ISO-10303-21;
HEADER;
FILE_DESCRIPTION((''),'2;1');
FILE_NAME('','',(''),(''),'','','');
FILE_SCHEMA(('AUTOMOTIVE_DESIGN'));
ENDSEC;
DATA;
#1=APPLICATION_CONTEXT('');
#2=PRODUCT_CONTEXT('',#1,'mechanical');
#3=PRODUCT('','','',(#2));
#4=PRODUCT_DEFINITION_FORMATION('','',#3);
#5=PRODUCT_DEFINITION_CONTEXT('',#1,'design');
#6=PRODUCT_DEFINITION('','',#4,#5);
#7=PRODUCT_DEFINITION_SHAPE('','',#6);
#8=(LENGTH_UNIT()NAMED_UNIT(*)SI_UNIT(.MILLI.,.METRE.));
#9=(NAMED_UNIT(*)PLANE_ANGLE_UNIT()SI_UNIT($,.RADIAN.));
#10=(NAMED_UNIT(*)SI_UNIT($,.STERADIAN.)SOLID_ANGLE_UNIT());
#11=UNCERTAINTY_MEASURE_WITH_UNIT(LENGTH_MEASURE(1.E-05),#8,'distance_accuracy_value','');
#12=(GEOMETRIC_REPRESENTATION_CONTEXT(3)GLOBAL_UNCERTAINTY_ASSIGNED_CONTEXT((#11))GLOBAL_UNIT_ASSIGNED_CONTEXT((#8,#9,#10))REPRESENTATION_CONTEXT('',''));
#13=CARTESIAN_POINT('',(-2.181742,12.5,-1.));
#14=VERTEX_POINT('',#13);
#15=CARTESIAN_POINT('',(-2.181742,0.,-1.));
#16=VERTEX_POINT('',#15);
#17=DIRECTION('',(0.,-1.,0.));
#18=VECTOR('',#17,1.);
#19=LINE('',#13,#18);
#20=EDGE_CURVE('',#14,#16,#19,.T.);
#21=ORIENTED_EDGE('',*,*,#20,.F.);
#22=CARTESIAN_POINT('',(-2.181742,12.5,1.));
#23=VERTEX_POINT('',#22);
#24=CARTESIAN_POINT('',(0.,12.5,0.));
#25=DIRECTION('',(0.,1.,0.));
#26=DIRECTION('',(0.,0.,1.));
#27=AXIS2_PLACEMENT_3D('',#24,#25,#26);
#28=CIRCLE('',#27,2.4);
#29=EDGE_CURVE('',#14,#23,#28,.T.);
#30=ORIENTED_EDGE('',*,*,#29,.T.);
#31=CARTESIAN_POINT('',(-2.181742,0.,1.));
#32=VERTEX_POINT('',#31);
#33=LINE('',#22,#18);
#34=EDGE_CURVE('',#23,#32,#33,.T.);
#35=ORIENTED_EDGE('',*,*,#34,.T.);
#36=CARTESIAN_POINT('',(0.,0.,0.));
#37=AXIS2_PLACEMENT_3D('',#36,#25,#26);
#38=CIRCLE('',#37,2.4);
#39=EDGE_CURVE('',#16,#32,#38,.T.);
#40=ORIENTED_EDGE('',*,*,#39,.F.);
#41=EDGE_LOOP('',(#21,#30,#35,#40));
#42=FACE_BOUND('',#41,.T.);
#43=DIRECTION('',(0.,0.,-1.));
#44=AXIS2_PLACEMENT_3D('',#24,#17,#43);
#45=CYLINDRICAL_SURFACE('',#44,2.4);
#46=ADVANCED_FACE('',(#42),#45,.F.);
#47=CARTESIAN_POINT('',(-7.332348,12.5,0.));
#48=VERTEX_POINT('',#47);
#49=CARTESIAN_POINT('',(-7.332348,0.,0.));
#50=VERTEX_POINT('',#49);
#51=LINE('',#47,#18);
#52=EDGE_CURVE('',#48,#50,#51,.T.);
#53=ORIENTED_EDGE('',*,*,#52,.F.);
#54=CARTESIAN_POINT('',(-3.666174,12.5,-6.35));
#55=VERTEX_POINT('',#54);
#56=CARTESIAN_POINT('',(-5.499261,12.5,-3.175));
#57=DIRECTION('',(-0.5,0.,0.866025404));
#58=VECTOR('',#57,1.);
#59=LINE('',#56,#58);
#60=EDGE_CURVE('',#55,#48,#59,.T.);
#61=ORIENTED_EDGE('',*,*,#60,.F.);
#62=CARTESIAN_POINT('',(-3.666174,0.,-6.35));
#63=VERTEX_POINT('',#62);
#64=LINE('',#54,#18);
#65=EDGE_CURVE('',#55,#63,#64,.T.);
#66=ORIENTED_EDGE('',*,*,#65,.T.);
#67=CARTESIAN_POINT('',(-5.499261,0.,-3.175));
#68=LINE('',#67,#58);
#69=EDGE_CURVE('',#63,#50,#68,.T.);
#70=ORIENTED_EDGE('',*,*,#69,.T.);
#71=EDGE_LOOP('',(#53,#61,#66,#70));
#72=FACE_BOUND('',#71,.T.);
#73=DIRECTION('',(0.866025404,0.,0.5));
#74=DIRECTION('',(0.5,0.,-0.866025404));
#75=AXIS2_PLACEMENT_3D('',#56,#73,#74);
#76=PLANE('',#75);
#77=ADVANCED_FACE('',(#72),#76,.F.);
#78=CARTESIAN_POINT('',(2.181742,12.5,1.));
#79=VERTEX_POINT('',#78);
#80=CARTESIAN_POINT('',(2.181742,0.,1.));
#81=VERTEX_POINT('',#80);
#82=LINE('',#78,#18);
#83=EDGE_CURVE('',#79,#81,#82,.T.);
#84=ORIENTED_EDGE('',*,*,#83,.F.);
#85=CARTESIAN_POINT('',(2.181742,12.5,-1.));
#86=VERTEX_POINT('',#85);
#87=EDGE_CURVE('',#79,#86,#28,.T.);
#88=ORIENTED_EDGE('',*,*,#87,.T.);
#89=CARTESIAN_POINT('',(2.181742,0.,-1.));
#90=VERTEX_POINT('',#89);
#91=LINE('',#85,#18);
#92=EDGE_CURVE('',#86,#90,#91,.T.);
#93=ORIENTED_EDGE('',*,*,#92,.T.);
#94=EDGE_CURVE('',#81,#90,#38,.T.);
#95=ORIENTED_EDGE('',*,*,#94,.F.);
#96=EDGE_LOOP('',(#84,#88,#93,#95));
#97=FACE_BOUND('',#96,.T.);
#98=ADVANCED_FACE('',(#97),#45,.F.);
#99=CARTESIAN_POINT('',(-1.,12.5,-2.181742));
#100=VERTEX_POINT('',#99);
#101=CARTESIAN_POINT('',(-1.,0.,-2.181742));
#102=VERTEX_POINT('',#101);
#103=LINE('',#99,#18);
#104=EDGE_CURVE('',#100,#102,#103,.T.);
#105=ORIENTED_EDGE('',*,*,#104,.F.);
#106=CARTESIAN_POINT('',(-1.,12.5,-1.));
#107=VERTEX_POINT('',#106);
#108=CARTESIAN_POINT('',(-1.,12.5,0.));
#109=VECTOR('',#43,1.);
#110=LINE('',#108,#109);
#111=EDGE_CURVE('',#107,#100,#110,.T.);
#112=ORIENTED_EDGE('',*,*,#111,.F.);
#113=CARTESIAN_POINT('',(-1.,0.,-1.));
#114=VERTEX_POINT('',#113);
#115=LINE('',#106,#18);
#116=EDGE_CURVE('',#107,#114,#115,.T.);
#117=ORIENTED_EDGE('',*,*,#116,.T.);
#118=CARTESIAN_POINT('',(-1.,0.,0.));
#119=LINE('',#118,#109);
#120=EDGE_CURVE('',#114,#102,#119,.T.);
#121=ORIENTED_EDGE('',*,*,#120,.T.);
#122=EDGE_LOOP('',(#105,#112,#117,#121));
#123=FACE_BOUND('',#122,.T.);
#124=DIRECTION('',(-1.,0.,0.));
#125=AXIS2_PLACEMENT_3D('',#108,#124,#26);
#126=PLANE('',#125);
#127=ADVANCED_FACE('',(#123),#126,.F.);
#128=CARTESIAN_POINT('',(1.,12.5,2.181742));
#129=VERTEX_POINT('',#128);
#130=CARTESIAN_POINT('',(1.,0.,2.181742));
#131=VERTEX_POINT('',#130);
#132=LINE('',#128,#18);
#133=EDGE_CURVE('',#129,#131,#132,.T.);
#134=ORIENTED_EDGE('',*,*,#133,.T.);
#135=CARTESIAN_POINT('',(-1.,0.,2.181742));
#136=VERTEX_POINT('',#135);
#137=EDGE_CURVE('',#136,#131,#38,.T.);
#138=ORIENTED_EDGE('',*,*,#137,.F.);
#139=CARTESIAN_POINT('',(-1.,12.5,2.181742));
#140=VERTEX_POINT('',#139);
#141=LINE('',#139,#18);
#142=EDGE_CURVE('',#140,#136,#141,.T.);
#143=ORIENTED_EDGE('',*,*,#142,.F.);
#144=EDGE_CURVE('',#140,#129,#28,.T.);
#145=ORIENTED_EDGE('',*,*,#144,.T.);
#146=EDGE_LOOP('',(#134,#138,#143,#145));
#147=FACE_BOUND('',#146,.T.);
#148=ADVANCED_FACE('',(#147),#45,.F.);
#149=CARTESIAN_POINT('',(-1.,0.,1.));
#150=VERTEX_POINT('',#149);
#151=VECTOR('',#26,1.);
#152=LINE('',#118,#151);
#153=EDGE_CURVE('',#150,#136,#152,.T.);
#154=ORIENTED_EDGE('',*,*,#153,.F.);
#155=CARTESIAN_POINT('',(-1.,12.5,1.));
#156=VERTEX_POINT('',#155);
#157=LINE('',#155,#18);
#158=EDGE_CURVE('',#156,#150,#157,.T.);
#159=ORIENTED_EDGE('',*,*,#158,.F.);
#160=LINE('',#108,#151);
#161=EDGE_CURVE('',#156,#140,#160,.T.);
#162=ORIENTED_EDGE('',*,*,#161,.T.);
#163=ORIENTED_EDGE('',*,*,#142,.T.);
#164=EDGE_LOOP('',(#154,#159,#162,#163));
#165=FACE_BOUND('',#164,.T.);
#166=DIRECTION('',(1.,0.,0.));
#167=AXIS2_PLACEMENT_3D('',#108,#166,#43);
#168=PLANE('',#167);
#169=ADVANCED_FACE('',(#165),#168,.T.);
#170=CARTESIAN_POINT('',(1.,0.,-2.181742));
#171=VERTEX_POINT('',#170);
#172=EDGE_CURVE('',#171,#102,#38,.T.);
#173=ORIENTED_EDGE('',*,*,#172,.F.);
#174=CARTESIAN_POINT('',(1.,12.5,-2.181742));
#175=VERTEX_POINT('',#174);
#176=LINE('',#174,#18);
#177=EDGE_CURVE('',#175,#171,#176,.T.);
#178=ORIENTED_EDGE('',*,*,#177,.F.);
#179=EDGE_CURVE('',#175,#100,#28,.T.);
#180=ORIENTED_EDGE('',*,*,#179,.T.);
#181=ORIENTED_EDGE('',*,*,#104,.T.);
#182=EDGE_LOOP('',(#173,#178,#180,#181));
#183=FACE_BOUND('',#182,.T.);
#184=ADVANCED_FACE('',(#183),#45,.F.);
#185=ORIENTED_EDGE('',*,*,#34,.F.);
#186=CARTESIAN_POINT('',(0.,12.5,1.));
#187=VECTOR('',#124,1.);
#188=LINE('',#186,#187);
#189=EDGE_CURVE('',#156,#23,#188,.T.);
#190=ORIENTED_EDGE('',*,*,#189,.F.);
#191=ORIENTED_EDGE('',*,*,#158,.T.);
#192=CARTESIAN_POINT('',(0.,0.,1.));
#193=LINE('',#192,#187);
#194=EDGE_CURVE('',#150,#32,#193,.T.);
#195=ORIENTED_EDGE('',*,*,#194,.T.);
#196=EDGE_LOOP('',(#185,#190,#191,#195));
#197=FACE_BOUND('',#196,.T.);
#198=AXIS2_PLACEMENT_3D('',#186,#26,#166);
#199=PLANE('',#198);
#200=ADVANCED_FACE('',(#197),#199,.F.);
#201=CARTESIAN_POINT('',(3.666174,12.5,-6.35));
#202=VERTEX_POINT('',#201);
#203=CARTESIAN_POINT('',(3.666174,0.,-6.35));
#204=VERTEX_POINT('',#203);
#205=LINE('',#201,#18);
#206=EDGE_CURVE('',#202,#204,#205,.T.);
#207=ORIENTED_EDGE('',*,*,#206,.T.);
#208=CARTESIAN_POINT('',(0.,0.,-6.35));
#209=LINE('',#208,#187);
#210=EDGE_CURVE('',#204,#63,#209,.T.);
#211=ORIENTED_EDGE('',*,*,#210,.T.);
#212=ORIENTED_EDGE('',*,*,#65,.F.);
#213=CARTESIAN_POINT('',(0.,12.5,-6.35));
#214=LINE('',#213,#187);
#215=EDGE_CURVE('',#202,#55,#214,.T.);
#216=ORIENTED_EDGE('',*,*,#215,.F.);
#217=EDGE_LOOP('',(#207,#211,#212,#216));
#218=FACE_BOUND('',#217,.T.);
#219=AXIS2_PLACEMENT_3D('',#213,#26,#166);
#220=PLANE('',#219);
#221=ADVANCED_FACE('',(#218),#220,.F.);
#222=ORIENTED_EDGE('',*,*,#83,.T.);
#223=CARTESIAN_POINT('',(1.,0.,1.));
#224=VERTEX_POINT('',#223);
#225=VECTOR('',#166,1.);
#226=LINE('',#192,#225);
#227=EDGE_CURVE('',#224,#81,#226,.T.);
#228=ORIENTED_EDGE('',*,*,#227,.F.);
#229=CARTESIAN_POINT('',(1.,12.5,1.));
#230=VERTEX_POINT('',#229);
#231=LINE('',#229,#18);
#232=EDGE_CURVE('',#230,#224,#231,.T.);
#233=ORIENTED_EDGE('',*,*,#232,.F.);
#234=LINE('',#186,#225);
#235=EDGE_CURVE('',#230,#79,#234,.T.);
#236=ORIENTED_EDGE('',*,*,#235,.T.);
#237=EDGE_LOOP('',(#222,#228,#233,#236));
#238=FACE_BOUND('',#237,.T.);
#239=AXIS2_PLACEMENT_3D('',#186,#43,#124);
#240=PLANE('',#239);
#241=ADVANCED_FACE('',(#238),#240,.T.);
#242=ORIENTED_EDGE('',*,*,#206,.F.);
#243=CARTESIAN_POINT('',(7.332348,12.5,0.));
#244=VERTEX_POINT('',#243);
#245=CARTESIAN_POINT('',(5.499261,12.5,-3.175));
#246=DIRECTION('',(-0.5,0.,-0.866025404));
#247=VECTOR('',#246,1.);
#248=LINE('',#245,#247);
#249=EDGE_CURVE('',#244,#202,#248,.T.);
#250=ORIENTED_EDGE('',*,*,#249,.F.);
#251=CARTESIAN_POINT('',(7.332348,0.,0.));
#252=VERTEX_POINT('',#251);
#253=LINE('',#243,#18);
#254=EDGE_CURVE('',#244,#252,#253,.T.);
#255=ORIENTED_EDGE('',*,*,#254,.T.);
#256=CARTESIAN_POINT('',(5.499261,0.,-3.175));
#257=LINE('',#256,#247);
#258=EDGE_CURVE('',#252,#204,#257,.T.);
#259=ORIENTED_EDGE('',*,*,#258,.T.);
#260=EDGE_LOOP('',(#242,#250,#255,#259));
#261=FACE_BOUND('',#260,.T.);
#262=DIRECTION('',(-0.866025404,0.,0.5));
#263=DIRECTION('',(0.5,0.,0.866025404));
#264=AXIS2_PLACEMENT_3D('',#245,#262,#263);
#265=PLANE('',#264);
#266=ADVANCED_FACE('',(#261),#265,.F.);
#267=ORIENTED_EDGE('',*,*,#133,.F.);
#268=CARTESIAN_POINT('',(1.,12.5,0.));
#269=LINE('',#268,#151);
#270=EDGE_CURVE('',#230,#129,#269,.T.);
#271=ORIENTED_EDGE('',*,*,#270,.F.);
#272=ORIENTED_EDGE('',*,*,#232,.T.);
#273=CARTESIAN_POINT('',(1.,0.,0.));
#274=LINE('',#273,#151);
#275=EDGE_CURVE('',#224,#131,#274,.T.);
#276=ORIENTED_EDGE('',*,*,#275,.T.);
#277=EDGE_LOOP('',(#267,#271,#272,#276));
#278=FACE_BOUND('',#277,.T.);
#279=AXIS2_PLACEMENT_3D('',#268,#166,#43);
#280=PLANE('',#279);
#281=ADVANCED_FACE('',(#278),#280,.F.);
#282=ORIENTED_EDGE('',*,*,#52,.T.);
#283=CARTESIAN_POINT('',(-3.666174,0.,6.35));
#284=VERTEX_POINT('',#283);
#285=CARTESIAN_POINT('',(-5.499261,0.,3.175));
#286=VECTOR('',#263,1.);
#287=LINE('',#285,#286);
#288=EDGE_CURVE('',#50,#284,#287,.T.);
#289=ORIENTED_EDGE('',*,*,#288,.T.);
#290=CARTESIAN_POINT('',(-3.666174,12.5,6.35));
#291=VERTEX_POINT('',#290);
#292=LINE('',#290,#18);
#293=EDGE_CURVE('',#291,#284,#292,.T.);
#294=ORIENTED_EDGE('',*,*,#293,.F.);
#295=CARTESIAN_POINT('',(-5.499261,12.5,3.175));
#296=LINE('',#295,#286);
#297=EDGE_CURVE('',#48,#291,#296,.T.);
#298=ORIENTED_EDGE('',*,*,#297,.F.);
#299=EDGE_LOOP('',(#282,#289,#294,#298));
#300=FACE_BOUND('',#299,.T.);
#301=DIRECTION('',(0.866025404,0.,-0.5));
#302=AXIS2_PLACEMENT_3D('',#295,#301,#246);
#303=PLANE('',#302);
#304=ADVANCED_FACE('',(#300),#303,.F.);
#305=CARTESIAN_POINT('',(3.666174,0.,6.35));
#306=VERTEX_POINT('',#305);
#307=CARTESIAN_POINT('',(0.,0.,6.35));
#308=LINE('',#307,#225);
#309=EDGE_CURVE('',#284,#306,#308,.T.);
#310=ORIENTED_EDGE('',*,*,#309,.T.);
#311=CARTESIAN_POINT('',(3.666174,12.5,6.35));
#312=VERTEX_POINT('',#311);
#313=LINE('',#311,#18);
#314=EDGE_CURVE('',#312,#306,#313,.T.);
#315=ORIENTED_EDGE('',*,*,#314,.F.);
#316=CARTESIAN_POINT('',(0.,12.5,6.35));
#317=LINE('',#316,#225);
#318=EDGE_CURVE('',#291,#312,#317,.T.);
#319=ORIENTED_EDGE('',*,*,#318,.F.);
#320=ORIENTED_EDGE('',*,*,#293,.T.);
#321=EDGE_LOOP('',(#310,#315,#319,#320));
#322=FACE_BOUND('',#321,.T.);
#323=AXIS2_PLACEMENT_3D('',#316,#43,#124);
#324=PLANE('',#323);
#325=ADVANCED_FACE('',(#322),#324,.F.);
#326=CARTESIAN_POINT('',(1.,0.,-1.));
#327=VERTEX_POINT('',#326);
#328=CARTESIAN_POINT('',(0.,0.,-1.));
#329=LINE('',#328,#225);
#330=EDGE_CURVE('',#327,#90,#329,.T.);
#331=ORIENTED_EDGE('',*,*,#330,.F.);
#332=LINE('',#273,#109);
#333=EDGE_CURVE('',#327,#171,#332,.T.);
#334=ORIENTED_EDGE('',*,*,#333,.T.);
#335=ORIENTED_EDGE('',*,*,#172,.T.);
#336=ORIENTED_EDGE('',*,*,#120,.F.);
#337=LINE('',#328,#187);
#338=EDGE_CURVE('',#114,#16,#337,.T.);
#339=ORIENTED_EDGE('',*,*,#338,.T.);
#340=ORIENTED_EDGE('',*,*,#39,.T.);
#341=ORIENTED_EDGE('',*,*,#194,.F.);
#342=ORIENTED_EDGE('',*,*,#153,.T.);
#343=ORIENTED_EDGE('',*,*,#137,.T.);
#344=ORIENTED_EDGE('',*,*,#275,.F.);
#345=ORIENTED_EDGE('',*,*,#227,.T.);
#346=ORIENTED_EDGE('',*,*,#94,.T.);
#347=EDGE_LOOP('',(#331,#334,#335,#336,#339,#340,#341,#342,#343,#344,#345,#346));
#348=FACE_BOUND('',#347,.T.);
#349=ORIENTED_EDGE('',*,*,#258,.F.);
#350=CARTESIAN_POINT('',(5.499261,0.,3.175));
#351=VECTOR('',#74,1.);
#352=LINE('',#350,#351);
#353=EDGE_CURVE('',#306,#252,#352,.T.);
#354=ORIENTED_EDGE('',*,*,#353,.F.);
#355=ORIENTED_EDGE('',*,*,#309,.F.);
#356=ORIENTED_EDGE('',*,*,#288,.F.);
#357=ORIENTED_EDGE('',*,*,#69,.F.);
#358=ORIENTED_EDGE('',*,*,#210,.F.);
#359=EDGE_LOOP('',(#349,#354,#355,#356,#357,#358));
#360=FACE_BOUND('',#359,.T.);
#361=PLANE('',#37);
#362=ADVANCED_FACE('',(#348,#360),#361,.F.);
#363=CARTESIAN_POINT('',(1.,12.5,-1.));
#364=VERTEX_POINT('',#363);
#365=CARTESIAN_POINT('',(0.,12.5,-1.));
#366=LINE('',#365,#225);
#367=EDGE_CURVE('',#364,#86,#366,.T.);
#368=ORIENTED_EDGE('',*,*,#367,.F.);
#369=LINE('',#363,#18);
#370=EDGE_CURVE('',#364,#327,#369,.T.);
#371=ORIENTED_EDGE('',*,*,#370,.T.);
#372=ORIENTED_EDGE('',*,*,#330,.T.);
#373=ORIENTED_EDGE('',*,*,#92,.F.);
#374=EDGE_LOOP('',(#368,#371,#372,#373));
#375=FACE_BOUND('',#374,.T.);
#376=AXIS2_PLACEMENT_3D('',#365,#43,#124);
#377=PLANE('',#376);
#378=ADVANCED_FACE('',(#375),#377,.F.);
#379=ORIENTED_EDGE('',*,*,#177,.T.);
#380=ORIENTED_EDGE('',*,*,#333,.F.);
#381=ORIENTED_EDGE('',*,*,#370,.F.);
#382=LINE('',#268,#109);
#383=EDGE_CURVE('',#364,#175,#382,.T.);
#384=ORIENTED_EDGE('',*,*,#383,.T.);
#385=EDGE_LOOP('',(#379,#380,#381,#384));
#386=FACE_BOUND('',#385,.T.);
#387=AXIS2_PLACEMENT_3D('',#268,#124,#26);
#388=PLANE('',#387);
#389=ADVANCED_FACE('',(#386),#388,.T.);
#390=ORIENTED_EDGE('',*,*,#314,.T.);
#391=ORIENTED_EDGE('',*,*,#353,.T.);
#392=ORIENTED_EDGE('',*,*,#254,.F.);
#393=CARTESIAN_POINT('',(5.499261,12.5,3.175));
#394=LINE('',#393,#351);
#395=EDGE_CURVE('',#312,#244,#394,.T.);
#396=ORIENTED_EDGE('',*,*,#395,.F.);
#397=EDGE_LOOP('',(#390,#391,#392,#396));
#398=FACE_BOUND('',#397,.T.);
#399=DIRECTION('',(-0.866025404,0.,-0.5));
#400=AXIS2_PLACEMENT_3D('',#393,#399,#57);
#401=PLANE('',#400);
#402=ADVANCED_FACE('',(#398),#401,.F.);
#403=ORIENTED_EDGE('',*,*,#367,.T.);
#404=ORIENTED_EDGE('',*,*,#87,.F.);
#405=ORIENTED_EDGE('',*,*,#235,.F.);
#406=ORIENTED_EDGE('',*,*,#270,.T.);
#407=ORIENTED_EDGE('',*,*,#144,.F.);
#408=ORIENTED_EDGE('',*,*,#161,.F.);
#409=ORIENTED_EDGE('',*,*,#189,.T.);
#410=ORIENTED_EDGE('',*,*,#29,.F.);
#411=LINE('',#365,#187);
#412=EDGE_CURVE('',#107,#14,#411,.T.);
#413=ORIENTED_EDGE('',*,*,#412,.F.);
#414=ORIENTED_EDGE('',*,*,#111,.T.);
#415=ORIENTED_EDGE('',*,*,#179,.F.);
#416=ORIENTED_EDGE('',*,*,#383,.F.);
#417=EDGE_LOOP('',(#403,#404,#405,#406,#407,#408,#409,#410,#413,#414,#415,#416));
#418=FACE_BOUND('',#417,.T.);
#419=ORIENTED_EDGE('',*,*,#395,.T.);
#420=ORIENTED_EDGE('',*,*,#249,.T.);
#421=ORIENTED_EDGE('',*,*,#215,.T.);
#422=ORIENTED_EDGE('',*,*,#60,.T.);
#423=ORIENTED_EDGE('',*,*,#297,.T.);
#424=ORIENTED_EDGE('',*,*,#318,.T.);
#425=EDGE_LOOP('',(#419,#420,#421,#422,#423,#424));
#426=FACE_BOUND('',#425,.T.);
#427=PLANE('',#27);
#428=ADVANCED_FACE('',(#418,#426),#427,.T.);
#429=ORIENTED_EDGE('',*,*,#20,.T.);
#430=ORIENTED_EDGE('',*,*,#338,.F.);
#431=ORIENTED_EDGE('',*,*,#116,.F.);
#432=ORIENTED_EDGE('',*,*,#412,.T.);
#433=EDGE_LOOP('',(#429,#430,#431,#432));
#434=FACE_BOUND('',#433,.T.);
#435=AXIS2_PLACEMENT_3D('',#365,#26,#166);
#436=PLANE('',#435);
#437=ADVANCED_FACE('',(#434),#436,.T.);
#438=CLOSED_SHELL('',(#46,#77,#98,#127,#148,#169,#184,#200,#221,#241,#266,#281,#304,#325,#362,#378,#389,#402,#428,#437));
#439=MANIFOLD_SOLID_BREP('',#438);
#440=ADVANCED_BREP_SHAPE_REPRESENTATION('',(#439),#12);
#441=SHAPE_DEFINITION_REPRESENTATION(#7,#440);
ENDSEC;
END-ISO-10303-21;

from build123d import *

# Parameters (mm, degrees)
SKETCH1_R           = 2.4
BOSS_EXTRUDE1_DEPTH = 12.5


with BuildPart() as part:
    # Sketch1 → Boss-Extrude1 (new body)
    # profile 1 of 5: a face of its own
    with BuildSketch(Plane(origin=(0, 0, 0), x_dir=(1, 0, 0), z_dir=(0, 1, 0))):
        Polygon((-3.666174209, -6.35), (3.666174209, -6.35), (7.332348419, 0), (3.666174209, 6.35), (-3.666174209, 6.35), (-7.332348419, 0), align=None)
        Circle(SKETCH1_R, mode=Mode.SUBTRACT)
    # profile 2 of 5: a face of its own
    with BuildSketch(Plane(origin=(0, 0, 0), x_dir=(1, 0, 0), z_dir=(0, 1, 0))):
        with BuildLine():
            Line((-2.181742423, 1), (-1, 1))
            Line((-1, 1), (-1, 2.181742423))
            ThreePointArc((-1, 2.181742423), (-1.697056275, 1.697056275), (-2.181742423, 1))
        make_face()
    # profile 3 of 5: a face of its own
    with BuildSketch(Plane(origin=(0, 0, 0), x_dir=(1, 0, 0), z_dir=(0, 1, 0))):
        with BuildLine():
            Line((-1, -2.181742423), (-1, -1))
            Line((-1, -1), (-2.181742423, -1))
            ThreePointArc((-2.181742423, -1), (-1.697056275, -1.697056275), (-1, -2.181742423))
        make_face()
    # profile 4 of 5: a face of its own
    with BuildSketch(Plane(origin=(0, 0, 0), x_dir=(1, 0, 0), z_dir=(0, 1, 0))):
        with BuildLine():
            Line((2.181742423, -1), (1, -1))
            Line((1, -1), (1, -2.181742423))
            ThreePointArc((1, -2.181742423), (1.697056275, -1.697056275), (2.181742423, -1))
        make_face()
    # profile 5 of 5: a face of its own
    with BuildSketch(Plane(origin=(0, 0, 0), x_dir=(1, 0, 0), z_dir=(0, 1, 0))):
        with BuildLine():
            Line((1, 2.181742423), (1, 1))
            Line((1, 1), (2.181742423, 1))
            ThreePointArc((2.181742423, 1), (1.697056275, 1.697056275), (1, 2.181742423))
        make_face()
    extrude(amount=BOSS_EXTRUDE1_DEPTH)


solid = part.part
